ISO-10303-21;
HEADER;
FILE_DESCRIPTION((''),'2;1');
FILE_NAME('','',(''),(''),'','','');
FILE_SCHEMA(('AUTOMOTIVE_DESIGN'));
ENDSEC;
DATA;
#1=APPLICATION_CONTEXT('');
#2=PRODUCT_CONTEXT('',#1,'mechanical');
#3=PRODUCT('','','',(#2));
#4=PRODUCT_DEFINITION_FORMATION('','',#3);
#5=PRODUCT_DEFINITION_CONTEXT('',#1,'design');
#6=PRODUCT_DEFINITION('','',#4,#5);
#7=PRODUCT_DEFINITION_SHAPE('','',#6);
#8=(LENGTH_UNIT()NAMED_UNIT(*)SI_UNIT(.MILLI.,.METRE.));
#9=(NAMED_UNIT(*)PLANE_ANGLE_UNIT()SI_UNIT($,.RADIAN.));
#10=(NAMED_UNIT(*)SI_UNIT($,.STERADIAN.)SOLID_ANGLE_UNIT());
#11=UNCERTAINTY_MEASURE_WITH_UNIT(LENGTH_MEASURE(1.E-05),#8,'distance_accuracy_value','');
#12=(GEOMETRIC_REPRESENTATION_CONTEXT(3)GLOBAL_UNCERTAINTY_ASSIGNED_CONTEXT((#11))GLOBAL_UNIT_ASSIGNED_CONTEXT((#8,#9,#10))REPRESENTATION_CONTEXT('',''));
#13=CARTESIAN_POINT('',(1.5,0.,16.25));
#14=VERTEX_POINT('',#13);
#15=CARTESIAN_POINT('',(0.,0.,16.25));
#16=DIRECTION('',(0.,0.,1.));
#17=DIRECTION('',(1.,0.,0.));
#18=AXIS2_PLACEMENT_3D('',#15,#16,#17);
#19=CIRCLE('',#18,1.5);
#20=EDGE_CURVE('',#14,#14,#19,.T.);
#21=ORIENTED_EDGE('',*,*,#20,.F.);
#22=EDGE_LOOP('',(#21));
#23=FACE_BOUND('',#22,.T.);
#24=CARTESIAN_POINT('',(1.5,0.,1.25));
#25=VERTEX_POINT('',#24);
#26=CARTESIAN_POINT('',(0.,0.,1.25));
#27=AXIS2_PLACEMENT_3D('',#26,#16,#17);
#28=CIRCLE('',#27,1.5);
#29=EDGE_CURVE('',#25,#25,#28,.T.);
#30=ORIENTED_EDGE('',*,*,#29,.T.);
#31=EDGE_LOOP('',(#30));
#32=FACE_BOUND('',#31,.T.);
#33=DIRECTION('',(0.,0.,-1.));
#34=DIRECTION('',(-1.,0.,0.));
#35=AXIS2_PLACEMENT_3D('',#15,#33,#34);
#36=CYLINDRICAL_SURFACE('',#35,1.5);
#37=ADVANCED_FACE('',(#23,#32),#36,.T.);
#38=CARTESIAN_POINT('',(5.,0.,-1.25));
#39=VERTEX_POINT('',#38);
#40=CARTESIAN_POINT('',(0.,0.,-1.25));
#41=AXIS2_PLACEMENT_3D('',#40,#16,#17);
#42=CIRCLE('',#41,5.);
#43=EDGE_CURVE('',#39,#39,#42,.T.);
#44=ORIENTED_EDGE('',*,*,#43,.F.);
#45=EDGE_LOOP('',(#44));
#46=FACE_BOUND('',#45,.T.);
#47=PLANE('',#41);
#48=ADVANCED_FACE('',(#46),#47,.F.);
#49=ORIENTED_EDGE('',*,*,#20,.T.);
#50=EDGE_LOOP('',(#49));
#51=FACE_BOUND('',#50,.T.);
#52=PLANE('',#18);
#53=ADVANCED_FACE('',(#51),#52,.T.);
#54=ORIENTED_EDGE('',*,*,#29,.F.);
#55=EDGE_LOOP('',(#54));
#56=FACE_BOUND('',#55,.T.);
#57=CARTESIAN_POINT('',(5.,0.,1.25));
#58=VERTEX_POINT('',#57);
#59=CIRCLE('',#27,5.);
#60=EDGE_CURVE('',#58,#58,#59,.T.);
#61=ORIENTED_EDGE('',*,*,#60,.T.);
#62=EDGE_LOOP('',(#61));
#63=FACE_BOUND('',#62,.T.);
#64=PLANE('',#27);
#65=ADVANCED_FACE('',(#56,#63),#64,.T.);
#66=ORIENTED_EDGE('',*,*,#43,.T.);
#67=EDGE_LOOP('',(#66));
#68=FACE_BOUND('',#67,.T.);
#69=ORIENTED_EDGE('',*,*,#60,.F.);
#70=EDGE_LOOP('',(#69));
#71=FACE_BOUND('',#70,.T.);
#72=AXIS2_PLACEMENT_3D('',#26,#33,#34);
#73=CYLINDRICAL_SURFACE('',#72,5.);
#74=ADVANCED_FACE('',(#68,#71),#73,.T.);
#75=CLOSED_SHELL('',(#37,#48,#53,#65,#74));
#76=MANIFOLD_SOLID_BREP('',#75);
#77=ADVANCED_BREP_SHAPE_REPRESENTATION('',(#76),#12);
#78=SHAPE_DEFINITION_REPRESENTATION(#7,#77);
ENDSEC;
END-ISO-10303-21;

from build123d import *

# Parameters (mm, degrees)
SKETCH1_R           = 5
BOSS_EXTRUDE1_DEPTH = 1.25
SKETCH2_R           = 1.5
BOSS_EXTRUDE2_DEPTH = 15


with BuildPart() as part:
    # Sketch1 → Boss-Extrude1 (new, symmetric)
    with BuildSketch(Plane.XY):
        Circle(SKETCH1_R)
    extrude(amount=BOSS_EXTRUDE1_DEPTH, both=True)

    # Sketch2 → Boss-Extrude2 (add)
    with BuildSketch(Plane.XY.offset(1.25)):
        Circle(SKETCH2_R)
    extrude(amount=BOSS_EXTRUDE2_DEPTH)


solid = part.part
